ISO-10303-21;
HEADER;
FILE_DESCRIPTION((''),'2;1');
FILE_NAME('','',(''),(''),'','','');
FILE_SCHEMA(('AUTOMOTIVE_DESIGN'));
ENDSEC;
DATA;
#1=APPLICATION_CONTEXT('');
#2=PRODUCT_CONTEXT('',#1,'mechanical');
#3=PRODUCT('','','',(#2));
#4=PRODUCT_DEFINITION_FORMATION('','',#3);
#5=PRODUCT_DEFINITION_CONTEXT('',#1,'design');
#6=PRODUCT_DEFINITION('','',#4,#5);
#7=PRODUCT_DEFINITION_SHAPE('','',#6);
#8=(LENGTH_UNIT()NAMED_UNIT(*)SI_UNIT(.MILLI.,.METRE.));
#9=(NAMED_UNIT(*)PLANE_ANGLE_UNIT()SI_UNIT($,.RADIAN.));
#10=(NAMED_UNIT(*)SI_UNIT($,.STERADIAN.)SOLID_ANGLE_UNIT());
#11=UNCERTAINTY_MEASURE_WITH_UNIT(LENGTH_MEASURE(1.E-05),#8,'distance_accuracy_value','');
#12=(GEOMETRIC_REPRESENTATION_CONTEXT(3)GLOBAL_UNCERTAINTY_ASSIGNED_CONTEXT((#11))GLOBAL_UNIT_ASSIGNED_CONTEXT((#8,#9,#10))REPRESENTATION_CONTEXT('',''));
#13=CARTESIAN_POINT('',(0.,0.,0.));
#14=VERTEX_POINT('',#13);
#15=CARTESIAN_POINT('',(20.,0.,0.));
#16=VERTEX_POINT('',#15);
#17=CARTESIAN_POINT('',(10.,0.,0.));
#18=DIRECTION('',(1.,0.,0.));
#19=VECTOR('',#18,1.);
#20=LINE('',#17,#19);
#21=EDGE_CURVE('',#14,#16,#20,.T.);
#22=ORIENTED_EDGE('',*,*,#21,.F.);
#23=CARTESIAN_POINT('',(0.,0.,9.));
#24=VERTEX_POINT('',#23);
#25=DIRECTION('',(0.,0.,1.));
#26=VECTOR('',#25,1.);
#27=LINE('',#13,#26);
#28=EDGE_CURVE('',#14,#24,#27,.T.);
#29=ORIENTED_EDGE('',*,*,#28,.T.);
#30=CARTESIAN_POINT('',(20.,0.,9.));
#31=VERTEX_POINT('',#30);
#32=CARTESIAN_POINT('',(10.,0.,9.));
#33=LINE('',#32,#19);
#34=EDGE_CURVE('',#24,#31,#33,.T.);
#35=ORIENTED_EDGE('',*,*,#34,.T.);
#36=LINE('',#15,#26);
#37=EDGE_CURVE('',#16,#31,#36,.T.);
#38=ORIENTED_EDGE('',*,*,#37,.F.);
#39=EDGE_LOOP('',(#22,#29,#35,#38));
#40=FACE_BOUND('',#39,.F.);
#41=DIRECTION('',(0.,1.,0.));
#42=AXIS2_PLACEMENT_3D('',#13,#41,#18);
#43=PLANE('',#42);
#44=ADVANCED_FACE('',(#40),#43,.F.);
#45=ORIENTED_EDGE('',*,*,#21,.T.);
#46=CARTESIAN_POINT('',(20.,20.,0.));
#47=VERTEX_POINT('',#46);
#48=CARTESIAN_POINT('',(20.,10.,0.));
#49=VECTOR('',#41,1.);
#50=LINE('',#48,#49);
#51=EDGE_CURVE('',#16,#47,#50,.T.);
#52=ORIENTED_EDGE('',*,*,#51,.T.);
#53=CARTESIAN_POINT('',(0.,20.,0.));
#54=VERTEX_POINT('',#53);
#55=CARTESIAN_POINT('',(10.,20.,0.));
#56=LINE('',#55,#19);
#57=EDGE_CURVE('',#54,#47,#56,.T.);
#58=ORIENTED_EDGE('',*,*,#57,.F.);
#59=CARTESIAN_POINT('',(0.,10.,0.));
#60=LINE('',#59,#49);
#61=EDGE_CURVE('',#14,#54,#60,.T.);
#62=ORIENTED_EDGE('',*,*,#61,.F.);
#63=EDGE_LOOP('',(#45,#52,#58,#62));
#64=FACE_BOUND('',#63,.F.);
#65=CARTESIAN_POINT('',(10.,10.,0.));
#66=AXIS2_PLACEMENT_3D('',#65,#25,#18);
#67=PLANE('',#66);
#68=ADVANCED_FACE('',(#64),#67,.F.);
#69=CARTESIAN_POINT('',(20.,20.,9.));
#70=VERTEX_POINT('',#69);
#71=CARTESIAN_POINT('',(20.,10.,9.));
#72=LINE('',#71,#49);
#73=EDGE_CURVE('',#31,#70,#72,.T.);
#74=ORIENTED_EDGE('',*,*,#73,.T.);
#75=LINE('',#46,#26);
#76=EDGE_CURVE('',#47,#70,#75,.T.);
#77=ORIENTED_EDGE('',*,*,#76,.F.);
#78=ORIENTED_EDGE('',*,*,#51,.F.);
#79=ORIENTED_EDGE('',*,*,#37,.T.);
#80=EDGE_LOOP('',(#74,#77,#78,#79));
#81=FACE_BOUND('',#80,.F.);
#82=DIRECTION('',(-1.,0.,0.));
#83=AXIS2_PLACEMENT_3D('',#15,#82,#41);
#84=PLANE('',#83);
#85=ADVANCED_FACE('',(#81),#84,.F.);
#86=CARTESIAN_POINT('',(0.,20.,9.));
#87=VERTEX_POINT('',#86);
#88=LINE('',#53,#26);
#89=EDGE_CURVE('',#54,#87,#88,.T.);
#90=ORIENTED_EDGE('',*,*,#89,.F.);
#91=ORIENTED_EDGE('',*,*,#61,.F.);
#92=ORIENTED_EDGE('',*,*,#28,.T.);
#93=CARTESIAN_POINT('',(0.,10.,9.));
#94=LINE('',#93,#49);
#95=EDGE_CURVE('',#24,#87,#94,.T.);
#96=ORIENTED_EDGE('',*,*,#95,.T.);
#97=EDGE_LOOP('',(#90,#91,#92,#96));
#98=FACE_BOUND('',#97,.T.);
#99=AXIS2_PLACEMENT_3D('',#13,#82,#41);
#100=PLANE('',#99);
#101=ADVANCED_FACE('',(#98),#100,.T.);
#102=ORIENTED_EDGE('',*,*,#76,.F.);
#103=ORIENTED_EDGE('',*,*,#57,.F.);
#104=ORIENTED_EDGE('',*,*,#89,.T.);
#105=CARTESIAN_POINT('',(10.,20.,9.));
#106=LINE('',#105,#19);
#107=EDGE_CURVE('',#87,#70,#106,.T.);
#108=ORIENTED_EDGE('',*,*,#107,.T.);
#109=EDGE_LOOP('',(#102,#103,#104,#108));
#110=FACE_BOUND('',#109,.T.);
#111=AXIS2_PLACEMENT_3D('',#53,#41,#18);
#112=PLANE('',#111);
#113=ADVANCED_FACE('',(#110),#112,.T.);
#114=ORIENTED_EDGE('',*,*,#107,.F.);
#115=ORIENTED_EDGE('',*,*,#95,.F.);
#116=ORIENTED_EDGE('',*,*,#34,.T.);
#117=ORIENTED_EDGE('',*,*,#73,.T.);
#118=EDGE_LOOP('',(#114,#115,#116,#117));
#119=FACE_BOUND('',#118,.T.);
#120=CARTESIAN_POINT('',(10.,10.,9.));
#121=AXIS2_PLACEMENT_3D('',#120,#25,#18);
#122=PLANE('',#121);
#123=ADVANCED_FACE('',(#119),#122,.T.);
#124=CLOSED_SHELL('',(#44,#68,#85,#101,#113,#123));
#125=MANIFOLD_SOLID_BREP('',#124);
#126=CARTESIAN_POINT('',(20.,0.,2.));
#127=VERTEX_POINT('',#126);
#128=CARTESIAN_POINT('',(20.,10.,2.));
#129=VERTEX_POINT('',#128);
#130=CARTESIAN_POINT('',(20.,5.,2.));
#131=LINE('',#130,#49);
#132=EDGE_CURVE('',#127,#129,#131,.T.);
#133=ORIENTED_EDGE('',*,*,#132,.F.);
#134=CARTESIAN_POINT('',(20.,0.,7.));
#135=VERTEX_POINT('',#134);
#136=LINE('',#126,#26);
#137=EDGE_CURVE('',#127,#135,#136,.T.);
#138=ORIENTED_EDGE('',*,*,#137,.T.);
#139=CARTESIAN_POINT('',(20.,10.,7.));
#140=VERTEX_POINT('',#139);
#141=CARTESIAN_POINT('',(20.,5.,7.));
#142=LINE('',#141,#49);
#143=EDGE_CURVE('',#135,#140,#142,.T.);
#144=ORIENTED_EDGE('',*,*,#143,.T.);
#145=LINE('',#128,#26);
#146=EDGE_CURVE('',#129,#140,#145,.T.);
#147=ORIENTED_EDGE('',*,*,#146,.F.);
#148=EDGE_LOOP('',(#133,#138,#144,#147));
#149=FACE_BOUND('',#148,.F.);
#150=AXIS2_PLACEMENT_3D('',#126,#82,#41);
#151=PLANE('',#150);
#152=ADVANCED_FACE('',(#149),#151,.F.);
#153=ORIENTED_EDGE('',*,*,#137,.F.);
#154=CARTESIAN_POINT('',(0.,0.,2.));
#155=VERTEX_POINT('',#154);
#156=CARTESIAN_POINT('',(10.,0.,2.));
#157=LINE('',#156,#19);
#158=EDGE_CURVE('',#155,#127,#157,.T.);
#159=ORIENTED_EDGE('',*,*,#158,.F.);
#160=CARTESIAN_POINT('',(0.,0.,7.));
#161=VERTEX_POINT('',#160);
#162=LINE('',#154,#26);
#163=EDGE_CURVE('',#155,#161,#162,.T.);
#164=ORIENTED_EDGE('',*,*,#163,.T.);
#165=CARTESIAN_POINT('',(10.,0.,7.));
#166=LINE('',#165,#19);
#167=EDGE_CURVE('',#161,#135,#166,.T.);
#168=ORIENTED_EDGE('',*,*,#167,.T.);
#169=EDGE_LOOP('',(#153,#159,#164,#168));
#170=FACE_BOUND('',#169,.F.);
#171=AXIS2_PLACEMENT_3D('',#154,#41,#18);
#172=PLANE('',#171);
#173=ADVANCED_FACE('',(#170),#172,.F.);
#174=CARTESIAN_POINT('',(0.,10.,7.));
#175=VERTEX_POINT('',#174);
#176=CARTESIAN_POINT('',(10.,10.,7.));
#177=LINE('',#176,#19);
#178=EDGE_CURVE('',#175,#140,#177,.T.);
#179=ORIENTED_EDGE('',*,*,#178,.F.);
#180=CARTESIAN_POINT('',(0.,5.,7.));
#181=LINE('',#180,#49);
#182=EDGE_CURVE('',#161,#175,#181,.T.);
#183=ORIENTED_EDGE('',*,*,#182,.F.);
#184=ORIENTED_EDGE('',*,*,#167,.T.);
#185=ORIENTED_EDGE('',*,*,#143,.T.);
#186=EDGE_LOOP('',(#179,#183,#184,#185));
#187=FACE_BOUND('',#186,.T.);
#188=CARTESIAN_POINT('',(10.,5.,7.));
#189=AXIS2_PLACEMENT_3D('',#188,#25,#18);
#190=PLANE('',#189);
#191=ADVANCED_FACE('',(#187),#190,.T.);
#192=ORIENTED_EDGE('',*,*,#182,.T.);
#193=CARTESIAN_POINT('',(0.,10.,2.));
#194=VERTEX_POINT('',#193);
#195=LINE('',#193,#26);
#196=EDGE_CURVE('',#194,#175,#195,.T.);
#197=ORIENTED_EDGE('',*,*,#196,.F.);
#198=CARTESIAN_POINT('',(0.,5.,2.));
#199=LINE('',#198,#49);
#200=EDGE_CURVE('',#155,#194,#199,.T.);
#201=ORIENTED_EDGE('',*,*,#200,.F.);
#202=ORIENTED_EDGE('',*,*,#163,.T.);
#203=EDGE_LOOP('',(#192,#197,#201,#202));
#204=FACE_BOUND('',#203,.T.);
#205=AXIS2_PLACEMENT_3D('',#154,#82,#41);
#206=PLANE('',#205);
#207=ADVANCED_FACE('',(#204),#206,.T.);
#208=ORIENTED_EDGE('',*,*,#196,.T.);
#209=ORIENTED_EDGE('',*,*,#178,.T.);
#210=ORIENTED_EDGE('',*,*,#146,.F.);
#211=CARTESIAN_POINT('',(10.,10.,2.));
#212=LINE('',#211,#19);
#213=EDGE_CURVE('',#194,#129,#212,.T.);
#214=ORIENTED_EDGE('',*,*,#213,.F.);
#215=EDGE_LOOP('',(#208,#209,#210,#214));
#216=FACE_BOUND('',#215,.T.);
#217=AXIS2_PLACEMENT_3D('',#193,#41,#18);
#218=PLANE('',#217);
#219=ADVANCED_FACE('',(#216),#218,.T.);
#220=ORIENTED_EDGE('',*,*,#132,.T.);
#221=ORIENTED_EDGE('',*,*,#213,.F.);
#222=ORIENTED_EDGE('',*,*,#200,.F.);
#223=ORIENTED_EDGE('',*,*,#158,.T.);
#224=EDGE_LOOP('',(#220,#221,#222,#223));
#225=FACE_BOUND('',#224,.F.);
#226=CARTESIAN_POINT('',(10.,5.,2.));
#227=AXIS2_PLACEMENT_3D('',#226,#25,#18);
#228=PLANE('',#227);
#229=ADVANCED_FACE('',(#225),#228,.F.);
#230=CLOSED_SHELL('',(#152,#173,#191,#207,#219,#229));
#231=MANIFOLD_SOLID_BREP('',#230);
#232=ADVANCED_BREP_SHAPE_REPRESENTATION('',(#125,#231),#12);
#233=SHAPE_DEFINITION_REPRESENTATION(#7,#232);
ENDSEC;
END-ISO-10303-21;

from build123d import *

# Parameters (mm, degrees)
BOX_W        = 20
BOX_H        = 20
BOX_DEPTH    = 9
BOX001_W     = 20
BOX001_H     = 10
BOX001_DEPTH = 5


with BuildPart() as cube:
    # Box → Box (new body)
    with BuildSketch(Plane.XY):
        with Locations((10, 10)):
            Rectangle(BOX_W, BOX_H)
    extrude(amount=BOX_DEPTH)


with BuildPart() as cube001:
    # Box001 → Box001 (new body)
    with BuildSketch(Plane.XY.offset(2)):
        with Locations((10, 5)):
            Rectangle(BOX001_W, BOX001_H)
    extrude(amount=BOX001_DEPTH)


solid = Compound([cube.part, cube001.part])
